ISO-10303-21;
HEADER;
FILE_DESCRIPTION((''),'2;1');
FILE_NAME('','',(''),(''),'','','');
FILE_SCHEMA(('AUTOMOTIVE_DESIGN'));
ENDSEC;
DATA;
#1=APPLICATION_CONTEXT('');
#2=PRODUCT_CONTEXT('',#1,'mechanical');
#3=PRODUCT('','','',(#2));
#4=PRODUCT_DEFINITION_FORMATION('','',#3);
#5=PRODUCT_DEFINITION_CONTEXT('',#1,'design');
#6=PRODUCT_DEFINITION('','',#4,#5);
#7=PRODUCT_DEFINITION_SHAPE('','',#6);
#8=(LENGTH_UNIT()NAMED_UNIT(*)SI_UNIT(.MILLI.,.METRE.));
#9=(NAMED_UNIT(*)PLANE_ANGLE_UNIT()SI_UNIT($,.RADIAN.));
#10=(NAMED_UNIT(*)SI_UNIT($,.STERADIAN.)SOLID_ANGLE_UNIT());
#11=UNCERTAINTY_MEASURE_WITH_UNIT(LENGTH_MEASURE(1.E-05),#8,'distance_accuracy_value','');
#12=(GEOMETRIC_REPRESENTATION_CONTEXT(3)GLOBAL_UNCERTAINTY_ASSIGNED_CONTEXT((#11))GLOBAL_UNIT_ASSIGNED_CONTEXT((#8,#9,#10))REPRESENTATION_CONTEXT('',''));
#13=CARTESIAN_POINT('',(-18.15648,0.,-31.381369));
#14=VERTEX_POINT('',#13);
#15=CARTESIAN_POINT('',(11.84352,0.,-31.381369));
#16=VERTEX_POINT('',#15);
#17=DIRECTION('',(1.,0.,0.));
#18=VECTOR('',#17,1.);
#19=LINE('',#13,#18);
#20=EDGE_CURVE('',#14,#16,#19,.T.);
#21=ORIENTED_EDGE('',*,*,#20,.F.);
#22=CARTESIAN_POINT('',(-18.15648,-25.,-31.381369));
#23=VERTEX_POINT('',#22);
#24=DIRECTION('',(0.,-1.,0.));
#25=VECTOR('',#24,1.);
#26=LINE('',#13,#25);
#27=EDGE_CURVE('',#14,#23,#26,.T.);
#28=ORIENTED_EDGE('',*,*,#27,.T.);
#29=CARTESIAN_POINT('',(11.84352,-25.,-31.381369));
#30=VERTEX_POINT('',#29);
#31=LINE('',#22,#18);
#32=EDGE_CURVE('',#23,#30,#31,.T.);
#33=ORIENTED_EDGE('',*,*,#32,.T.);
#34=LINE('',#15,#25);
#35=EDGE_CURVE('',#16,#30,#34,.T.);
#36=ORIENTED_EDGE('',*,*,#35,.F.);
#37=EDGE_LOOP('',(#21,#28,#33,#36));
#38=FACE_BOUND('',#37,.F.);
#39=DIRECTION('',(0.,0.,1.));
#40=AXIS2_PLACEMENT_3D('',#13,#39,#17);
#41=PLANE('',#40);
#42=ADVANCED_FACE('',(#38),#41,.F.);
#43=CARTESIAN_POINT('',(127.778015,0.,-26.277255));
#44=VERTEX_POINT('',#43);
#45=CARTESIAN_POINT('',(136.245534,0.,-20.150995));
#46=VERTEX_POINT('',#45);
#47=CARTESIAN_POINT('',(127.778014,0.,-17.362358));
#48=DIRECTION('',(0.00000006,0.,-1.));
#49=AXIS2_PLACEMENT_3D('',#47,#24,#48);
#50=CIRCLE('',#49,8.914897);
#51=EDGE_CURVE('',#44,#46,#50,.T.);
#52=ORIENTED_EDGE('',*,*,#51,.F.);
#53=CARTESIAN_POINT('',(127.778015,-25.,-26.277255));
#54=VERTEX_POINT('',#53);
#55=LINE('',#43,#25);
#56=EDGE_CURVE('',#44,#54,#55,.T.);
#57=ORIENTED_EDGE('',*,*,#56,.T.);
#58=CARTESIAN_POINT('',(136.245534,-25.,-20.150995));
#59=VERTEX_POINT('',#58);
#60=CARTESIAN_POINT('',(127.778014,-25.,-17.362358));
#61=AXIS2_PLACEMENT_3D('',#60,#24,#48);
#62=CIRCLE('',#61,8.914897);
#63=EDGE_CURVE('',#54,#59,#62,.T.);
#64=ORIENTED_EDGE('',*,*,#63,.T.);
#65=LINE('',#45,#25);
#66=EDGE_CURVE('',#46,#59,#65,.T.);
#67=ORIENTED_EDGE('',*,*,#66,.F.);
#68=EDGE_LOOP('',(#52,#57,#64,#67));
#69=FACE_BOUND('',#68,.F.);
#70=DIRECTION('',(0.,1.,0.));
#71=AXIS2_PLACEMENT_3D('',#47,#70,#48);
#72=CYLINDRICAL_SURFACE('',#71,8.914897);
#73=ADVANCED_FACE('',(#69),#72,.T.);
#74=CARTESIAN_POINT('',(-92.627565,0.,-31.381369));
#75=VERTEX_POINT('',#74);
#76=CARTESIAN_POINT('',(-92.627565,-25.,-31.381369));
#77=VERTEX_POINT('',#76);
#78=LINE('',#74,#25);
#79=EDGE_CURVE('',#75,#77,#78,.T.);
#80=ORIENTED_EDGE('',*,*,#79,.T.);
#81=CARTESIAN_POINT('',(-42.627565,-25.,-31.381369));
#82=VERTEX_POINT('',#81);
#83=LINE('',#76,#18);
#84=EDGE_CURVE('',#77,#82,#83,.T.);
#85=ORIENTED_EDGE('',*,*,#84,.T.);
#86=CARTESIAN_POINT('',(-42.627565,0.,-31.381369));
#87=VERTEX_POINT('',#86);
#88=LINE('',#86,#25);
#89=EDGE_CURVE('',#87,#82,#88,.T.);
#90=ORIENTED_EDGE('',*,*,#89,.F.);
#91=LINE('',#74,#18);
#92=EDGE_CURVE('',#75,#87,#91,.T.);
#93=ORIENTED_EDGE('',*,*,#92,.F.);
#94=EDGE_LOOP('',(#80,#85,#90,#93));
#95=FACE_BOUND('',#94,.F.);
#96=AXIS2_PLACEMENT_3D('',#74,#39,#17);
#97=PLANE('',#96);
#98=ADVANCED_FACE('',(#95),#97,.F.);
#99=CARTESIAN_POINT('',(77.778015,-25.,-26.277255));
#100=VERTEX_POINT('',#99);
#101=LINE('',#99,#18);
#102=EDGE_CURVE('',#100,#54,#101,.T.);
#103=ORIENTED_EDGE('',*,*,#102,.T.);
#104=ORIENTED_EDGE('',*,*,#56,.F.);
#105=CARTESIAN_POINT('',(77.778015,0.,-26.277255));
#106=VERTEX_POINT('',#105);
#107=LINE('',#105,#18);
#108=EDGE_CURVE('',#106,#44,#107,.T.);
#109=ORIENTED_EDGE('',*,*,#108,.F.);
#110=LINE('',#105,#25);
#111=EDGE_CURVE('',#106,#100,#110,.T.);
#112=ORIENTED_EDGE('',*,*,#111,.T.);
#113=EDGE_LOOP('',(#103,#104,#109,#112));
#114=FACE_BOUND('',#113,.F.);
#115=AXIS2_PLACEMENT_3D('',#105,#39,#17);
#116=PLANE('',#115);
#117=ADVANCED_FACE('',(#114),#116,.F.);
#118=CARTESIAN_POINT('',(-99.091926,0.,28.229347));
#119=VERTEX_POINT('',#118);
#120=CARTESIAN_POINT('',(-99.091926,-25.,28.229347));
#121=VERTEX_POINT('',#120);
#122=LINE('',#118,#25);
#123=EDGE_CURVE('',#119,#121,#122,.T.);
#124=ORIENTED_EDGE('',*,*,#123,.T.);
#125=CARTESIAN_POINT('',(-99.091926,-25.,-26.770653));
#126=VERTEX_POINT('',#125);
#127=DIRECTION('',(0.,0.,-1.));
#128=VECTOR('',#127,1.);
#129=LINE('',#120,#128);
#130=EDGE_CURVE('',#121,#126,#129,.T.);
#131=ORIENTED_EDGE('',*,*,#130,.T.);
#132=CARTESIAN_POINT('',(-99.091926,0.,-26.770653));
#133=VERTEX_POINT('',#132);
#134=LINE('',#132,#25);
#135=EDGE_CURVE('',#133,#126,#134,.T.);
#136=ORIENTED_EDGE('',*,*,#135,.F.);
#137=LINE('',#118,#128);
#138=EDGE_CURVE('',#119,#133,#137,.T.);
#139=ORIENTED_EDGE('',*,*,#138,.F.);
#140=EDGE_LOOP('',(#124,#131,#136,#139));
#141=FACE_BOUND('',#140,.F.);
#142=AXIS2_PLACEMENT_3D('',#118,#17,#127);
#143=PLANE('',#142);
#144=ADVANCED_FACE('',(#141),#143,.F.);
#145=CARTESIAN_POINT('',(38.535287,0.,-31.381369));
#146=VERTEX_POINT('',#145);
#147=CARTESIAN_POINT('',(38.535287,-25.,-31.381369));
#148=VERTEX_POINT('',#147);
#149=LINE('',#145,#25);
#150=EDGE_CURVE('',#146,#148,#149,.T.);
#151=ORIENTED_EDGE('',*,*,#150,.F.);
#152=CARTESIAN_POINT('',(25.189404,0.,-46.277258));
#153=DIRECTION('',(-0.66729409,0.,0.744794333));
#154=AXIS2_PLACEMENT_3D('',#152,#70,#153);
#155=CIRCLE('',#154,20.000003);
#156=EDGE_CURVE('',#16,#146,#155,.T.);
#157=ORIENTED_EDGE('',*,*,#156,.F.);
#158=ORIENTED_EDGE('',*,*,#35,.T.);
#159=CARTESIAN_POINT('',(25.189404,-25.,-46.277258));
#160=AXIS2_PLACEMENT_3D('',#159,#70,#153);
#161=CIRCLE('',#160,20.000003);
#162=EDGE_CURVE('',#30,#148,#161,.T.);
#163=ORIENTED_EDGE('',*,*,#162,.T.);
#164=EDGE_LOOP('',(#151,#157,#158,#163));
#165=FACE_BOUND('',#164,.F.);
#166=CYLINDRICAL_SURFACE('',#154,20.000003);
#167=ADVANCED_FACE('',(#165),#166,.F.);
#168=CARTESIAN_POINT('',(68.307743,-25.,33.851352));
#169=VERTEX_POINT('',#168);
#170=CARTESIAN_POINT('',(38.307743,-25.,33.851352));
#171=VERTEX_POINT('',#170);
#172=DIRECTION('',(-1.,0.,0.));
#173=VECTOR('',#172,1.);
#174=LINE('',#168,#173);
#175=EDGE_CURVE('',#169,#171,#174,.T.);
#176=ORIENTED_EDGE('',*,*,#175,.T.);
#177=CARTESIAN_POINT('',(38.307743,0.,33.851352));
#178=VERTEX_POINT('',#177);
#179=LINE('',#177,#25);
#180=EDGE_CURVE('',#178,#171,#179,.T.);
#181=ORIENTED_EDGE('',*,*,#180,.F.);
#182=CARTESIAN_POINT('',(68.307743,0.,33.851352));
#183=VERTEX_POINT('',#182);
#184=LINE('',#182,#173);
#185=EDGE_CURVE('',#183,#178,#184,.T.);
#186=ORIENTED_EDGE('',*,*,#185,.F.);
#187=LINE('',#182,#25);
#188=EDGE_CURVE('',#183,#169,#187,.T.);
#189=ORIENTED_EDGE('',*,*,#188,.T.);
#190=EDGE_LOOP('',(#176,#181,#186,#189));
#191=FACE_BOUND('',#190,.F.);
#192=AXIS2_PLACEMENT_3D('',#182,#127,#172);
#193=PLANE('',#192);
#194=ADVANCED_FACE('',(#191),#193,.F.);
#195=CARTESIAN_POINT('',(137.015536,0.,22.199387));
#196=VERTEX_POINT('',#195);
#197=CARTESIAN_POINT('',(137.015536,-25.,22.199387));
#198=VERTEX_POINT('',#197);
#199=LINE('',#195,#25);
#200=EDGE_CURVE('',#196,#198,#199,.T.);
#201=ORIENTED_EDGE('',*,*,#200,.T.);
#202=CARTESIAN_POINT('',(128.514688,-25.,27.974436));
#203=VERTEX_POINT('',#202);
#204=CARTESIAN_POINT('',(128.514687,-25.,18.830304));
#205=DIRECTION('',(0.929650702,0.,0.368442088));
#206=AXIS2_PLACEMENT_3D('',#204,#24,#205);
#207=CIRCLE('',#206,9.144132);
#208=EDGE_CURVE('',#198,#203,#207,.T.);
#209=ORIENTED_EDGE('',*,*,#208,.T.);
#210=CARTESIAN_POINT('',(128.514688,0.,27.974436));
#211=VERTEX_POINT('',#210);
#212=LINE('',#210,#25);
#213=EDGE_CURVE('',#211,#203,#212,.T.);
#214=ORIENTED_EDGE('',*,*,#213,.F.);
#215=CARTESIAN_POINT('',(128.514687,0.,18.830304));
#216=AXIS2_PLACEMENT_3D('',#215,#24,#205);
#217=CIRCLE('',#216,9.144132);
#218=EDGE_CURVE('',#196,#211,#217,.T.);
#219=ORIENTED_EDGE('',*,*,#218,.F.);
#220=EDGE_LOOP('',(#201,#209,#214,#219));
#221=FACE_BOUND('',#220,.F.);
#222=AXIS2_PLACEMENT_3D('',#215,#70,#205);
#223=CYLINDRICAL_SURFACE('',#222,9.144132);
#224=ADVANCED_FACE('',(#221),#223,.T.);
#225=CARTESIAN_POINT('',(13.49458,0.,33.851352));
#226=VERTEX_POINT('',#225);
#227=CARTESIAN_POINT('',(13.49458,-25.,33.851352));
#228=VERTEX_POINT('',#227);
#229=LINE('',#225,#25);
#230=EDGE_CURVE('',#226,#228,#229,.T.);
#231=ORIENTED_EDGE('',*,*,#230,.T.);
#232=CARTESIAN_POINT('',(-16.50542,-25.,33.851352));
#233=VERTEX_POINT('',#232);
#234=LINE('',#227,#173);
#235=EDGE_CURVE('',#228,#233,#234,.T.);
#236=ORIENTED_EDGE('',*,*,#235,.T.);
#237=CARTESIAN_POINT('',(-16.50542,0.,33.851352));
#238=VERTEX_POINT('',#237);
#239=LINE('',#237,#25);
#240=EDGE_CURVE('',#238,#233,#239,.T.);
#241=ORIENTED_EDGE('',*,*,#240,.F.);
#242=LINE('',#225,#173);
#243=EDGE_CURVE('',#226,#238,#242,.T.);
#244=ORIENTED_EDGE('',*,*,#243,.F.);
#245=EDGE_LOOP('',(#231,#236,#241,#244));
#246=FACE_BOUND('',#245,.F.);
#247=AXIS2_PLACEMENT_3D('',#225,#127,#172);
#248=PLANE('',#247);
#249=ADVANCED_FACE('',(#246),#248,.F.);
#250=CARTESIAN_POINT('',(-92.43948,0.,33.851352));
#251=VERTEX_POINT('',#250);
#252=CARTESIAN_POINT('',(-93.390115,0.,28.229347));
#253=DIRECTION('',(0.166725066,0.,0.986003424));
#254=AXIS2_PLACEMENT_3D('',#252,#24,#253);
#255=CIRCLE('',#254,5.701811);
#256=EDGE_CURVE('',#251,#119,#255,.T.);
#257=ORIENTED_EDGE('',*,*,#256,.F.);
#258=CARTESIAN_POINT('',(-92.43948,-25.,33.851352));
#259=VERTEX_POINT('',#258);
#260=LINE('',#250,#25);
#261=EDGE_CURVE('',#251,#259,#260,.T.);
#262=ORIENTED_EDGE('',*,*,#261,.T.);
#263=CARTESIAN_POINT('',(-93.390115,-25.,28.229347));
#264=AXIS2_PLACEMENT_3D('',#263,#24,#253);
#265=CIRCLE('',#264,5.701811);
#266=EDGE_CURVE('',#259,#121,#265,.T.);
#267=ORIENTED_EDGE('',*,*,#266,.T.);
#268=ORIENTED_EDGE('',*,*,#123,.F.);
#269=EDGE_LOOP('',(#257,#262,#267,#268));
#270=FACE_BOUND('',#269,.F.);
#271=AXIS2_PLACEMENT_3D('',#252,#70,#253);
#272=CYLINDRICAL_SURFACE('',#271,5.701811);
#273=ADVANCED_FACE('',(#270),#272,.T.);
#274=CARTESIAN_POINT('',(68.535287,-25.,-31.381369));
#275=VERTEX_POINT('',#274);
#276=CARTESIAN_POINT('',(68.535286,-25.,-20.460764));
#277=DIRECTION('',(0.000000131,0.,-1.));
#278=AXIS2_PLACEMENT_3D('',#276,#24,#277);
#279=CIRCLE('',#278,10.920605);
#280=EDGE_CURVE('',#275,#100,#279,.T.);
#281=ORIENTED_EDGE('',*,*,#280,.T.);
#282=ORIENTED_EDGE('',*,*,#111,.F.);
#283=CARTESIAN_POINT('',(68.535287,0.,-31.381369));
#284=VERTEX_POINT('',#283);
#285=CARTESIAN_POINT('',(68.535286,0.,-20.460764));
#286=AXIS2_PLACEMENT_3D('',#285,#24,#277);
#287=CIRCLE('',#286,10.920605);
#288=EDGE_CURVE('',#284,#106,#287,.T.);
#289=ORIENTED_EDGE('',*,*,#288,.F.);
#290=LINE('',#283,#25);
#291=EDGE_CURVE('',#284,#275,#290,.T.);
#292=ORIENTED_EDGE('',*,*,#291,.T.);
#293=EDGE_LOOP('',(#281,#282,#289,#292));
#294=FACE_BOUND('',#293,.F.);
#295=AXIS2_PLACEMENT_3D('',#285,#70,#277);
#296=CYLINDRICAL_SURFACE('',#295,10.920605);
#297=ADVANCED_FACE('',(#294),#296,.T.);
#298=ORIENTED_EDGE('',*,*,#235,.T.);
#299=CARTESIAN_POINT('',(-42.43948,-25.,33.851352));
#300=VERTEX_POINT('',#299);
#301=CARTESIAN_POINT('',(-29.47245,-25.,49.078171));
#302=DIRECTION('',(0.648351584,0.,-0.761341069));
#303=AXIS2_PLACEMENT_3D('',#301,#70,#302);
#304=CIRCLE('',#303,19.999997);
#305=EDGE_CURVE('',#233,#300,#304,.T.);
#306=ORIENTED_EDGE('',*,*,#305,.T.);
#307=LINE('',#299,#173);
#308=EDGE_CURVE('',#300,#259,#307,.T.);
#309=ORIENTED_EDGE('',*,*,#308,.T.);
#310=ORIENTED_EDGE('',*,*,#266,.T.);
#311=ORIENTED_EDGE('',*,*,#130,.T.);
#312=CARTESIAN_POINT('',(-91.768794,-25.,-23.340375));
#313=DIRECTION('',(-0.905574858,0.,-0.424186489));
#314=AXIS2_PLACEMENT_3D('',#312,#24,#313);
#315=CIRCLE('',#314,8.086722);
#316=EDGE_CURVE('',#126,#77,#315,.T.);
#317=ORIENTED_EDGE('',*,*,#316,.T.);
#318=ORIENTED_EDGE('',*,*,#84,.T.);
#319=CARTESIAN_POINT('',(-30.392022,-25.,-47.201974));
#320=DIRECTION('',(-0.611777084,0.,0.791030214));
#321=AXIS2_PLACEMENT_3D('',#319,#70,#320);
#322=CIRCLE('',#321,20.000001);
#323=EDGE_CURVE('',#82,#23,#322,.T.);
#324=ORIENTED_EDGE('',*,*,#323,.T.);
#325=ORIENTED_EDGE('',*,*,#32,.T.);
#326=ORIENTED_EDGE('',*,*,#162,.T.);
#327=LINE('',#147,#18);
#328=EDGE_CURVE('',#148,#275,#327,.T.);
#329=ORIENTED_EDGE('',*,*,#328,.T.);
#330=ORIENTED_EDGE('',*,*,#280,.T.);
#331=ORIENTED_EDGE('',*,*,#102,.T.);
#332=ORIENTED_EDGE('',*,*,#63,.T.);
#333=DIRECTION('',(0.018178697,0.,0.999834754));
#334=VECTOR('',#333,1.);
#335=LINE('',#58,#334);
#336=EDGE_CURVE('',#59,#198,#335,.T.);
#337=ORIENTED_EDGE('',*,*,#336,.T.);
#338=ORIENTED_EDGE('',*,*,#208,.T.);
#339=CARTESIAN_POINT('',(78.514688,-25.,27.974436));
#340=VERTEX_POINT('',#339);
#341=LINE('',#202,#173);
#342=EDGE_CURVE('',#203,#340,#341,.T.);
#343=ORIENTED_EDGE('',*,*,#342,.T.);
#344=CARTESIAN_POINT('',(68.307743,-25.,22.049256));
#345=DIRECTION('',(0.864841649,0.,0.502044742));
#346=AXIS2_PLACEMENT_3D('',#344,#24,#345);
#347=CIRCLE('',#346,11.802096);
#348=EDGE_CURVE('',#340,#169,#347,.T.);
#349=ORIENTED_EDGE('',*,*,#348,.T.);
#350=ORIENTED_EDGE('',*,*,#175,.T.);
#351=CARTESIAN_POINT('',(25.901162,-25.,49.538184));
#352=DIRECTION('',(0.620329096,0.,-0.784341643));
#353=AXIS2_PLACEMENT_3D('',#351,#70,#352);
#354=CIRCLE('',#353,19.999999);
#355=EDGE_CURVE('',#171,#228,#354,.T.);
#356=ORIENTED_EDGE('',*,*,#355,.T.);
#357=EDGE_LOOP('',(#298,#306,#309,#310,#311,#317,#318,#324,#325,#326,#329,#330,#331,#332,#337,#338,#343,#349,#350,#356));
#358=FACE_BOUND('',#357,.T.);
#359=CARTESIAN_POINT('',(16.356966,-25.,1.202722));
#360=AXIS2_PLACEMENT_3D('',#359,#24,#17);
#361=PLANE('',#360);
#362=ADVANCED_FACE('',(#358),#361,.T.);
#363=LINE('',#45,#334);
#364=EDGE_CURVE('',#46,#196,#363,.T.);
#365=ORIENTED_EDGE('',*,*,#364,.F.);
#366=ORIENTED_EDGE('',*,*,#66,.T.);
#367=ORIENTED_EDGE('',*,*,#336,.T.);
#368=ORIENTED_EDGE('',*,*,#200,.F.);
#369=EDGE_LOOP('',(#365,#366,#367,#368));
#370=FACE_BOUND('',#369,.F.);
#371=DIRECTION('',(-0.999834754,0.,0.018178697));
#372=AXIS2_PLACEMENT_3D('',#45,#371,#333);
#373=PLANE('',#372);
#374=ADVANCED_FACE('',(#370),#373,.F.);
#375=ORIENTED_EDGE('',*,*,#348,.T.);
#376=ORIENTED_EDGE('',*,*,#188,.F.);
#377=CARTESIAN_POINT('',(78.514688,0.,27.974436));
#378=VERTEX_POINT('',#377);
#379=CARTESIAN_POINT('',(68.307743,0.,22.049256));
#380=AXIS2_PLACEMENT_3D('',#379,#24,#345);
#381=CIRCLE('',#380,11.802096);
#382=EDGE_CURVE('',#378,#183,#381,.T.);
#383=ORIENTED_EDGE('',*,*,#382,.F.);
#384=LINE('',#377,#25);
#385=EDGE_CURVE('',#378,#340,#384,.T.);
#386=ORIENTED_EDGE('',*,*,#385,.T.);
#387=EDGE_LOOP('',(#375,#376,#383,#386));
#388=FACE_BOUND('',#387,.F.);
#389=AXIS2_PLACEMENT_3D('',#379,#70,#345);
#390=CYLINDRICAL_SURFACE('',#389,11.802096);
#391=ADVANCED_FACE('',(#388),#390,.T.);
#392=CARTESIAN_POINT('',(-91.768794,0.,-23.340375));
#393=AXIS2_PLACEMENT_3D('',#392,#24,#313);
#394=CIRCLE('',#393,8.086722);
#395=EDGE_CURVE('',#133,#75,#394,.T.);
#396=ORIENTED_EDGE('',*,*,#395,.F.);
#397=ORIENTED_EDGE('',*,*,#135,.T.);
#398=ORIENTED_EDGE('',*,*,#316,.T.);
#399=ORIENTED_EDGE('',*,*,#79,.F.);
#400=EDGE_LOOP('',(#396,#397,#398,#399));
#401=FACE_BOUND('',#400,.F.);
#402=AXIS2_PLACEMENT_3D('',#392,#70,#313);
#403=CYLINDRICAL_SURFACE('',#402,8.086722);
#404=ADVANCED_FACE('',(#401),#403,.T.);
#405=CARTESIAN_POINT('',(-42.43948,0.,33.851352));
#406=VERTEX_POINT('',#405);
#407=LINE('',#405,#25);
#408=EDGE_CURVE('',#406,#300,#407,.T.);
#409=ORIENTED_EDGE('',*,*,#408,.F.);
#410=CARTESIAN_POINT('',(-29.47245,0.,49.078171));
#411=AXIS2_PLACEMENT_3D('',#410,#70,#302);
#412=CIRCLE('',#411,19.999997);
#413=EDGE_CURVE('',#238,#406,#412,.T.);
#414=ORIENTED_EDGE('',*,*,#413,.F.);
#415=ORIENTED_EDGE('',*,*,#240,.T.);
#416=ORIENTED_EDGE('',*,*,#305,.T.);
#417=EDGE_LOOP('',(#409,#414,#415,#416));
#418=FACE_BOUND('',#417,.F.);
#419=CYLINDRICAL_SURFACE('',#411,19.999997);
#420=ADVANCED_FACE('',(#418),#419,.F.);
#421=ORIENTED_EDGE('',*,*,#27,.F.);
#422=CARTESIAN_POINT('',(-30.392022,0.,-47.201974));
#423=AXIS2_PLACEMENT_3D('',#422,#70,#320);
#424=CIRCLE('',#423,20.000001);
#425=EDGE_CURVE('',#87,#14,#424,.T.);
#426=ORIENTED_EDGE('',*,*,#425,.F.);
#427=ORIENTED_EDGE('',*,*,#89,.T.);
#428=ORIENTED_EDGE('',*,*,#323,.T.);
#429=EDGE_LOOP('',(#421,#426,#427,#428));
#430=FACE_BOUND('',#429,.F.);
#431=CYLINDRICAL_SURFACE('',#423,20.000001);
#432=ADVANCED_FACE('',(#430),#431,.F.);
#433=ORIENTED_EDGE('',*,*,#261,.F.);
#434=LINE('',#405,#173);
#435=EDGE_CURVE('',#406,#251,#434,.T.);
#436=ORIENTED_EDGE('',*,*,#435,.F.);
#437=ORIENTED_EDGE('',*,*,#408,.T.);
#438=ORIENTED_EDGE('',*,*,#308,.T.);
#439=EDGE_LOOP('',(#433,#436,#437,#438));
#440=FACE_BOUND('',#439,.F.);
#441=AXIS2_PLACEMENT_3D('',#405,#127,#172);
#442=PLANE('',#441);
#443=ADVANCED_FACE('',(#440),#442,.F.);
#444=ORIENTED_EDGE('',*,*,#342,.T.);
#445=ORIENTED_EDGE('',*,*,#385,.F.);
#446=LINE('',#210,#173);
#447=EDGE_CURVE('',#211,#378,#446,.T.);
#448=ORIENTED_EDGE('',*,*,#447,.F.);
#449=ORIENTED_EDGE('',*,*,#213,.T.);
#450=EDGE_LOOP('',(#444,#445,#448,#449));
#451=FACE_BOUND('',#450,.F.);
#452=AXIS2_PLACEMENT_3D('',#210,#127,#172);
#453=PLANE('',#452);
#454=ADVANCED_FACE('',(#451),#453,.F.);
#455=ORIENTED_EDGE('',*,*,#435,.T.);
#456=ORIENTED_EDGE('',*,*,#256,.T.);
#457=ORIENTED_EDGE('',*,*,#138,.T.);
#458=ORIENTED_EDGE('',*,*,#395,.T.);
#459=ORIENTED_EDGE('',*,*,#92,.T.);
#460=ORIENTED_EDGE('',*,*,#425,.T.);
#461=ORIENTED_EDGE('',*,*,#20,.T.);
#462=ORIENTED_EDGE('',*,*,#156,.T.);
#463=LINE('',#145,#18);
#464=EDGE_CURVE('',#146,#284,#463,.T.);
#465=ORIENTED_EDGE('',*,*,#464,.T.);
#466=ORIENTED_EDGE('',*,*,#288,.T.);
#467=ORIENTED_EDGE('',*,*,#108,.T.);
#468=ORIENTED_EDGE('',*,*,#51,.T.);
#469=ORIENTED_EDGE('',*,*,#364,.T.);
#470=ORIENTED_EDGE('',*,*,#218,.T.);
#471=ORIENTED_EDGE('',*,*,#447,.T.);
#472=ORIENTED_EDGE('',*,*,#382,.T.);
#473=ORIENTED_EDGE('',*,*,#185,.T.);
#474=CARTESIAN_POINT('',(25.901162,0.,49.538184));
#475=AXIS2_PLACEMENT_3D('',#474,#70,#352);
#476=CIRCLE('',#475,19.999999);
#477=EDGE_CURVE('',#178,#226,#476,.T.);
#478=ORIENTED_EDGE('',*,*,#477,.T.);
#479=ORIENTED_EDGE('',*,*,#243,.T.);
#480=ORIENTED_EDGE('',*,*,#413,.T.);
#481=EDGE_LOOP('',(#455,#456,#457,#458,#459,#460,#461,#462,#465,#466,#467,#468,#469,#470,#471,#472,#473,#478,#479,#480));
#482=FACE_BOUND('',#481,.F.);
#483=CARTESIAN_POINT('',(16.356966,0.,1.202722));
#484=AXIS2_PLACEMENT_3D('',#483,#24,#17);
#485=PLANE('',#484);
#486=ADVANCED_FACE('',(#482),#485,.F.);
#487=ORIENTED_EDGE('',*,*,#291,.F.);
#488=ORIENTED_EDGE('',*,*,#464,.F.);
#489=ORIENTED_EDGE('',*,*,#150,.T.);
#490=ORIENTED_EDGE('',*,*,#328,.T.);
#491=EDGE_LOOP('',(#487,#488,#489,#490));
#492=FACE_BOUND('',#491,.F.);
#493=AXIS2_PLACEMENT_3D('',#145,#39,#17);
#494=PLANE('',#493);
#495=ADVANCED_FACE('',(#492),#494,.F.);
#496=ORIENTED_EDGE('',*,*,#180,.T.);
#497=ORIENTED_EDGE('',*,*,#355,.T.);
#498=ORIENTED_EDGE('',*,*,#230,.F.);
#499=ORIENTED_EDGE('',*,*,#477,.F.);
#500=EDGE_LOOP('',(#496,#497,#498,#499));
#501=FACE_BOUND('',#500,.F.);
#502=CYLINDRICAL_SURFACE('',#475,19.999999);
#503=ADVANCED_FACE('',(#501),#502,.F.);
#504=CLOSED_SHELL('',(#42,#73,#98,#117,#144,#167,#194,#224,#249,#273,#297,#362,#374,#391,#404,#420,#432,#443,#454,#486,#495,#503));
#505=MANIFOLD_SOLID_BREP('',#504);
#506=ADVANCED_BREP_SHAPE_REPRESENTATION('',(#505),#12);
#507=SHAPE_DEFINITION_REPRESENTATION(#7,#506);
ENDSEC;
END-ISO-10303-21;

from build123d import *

# Parameters (mm, degrees)
F1_DEPTH = 25


with BuildPart() as f1:
    # F0 (on Front) → F1 (new body)
    with BuildSketch(Plane.XZ):
        with BuildLine():
            ThreePointArc((-92.43948, 33.851352), (-97.070489, 32.584286), (-99.091926, 28.229347))
            Line((-99.091926, 28.229347), (-99.091926, -26.770653))
            ThreePointArc((-99.091926, -26.770653), (-96.464596, -29.92403), (-92.627565, -31.381369))
            Line((-92.627565, -31.381369), (-42.627565, -31.381369))
            ThreePointArc((-42.627565, -31.381369), (-30.392022, -27.201973), (-18.15648, -31.381369))
            Line((-18.15648, -31.381369), (11.84352, -31.381369))
            ThreePointArc((11.84352, -31.381369), (25.189403, -26.277255), (38.535287, -31.381369))
            Line((38.535287, -31.381369), (68.535287, -31.381369))
            ThreePointArc((68.535287, -31.381369), (73.814491, -30.020555), (77.778015, -26.277255))
            Line((77.778015, -26.277255), (127.778015, -26.277255))
            ThreePointArc((127.778015, -26.277255), (133.003671, -24.585093), (136.245534, -20.150995))
            Line((136.245534, -20.150995), (137.015536, 22.199387))
            ThreePointArc((137.015536, 22.199387), (133.653161, 26.394115), (128.514688, 27.974436))
            Line((128.514688, 27.974436), (78.514688, 27.974436))
            ThreePointArc((78.514688, 27.974436), (74.196713, 32.277135), (68.307743, 33.851352))
            Line((68.307743, 33.851352), (38.307743, 33.851352))
            ThreePointArc((38.307743, 33.851352), (25.901161, 29.538185), (13.49458, 33.851352))
            Line((13.49458, 33.851352), (-16.50542, 33.851352))
            ThreePointArc((-16.50542, 33.851352), (-29.47245, 29.078174), (-42.43948, 33.851352))
            Line((-42.43948, 33.851352), (-92.43948, 33.851352))
        make_face()
    extrude(amount=F1_DEPTH)


solid = f1.part
